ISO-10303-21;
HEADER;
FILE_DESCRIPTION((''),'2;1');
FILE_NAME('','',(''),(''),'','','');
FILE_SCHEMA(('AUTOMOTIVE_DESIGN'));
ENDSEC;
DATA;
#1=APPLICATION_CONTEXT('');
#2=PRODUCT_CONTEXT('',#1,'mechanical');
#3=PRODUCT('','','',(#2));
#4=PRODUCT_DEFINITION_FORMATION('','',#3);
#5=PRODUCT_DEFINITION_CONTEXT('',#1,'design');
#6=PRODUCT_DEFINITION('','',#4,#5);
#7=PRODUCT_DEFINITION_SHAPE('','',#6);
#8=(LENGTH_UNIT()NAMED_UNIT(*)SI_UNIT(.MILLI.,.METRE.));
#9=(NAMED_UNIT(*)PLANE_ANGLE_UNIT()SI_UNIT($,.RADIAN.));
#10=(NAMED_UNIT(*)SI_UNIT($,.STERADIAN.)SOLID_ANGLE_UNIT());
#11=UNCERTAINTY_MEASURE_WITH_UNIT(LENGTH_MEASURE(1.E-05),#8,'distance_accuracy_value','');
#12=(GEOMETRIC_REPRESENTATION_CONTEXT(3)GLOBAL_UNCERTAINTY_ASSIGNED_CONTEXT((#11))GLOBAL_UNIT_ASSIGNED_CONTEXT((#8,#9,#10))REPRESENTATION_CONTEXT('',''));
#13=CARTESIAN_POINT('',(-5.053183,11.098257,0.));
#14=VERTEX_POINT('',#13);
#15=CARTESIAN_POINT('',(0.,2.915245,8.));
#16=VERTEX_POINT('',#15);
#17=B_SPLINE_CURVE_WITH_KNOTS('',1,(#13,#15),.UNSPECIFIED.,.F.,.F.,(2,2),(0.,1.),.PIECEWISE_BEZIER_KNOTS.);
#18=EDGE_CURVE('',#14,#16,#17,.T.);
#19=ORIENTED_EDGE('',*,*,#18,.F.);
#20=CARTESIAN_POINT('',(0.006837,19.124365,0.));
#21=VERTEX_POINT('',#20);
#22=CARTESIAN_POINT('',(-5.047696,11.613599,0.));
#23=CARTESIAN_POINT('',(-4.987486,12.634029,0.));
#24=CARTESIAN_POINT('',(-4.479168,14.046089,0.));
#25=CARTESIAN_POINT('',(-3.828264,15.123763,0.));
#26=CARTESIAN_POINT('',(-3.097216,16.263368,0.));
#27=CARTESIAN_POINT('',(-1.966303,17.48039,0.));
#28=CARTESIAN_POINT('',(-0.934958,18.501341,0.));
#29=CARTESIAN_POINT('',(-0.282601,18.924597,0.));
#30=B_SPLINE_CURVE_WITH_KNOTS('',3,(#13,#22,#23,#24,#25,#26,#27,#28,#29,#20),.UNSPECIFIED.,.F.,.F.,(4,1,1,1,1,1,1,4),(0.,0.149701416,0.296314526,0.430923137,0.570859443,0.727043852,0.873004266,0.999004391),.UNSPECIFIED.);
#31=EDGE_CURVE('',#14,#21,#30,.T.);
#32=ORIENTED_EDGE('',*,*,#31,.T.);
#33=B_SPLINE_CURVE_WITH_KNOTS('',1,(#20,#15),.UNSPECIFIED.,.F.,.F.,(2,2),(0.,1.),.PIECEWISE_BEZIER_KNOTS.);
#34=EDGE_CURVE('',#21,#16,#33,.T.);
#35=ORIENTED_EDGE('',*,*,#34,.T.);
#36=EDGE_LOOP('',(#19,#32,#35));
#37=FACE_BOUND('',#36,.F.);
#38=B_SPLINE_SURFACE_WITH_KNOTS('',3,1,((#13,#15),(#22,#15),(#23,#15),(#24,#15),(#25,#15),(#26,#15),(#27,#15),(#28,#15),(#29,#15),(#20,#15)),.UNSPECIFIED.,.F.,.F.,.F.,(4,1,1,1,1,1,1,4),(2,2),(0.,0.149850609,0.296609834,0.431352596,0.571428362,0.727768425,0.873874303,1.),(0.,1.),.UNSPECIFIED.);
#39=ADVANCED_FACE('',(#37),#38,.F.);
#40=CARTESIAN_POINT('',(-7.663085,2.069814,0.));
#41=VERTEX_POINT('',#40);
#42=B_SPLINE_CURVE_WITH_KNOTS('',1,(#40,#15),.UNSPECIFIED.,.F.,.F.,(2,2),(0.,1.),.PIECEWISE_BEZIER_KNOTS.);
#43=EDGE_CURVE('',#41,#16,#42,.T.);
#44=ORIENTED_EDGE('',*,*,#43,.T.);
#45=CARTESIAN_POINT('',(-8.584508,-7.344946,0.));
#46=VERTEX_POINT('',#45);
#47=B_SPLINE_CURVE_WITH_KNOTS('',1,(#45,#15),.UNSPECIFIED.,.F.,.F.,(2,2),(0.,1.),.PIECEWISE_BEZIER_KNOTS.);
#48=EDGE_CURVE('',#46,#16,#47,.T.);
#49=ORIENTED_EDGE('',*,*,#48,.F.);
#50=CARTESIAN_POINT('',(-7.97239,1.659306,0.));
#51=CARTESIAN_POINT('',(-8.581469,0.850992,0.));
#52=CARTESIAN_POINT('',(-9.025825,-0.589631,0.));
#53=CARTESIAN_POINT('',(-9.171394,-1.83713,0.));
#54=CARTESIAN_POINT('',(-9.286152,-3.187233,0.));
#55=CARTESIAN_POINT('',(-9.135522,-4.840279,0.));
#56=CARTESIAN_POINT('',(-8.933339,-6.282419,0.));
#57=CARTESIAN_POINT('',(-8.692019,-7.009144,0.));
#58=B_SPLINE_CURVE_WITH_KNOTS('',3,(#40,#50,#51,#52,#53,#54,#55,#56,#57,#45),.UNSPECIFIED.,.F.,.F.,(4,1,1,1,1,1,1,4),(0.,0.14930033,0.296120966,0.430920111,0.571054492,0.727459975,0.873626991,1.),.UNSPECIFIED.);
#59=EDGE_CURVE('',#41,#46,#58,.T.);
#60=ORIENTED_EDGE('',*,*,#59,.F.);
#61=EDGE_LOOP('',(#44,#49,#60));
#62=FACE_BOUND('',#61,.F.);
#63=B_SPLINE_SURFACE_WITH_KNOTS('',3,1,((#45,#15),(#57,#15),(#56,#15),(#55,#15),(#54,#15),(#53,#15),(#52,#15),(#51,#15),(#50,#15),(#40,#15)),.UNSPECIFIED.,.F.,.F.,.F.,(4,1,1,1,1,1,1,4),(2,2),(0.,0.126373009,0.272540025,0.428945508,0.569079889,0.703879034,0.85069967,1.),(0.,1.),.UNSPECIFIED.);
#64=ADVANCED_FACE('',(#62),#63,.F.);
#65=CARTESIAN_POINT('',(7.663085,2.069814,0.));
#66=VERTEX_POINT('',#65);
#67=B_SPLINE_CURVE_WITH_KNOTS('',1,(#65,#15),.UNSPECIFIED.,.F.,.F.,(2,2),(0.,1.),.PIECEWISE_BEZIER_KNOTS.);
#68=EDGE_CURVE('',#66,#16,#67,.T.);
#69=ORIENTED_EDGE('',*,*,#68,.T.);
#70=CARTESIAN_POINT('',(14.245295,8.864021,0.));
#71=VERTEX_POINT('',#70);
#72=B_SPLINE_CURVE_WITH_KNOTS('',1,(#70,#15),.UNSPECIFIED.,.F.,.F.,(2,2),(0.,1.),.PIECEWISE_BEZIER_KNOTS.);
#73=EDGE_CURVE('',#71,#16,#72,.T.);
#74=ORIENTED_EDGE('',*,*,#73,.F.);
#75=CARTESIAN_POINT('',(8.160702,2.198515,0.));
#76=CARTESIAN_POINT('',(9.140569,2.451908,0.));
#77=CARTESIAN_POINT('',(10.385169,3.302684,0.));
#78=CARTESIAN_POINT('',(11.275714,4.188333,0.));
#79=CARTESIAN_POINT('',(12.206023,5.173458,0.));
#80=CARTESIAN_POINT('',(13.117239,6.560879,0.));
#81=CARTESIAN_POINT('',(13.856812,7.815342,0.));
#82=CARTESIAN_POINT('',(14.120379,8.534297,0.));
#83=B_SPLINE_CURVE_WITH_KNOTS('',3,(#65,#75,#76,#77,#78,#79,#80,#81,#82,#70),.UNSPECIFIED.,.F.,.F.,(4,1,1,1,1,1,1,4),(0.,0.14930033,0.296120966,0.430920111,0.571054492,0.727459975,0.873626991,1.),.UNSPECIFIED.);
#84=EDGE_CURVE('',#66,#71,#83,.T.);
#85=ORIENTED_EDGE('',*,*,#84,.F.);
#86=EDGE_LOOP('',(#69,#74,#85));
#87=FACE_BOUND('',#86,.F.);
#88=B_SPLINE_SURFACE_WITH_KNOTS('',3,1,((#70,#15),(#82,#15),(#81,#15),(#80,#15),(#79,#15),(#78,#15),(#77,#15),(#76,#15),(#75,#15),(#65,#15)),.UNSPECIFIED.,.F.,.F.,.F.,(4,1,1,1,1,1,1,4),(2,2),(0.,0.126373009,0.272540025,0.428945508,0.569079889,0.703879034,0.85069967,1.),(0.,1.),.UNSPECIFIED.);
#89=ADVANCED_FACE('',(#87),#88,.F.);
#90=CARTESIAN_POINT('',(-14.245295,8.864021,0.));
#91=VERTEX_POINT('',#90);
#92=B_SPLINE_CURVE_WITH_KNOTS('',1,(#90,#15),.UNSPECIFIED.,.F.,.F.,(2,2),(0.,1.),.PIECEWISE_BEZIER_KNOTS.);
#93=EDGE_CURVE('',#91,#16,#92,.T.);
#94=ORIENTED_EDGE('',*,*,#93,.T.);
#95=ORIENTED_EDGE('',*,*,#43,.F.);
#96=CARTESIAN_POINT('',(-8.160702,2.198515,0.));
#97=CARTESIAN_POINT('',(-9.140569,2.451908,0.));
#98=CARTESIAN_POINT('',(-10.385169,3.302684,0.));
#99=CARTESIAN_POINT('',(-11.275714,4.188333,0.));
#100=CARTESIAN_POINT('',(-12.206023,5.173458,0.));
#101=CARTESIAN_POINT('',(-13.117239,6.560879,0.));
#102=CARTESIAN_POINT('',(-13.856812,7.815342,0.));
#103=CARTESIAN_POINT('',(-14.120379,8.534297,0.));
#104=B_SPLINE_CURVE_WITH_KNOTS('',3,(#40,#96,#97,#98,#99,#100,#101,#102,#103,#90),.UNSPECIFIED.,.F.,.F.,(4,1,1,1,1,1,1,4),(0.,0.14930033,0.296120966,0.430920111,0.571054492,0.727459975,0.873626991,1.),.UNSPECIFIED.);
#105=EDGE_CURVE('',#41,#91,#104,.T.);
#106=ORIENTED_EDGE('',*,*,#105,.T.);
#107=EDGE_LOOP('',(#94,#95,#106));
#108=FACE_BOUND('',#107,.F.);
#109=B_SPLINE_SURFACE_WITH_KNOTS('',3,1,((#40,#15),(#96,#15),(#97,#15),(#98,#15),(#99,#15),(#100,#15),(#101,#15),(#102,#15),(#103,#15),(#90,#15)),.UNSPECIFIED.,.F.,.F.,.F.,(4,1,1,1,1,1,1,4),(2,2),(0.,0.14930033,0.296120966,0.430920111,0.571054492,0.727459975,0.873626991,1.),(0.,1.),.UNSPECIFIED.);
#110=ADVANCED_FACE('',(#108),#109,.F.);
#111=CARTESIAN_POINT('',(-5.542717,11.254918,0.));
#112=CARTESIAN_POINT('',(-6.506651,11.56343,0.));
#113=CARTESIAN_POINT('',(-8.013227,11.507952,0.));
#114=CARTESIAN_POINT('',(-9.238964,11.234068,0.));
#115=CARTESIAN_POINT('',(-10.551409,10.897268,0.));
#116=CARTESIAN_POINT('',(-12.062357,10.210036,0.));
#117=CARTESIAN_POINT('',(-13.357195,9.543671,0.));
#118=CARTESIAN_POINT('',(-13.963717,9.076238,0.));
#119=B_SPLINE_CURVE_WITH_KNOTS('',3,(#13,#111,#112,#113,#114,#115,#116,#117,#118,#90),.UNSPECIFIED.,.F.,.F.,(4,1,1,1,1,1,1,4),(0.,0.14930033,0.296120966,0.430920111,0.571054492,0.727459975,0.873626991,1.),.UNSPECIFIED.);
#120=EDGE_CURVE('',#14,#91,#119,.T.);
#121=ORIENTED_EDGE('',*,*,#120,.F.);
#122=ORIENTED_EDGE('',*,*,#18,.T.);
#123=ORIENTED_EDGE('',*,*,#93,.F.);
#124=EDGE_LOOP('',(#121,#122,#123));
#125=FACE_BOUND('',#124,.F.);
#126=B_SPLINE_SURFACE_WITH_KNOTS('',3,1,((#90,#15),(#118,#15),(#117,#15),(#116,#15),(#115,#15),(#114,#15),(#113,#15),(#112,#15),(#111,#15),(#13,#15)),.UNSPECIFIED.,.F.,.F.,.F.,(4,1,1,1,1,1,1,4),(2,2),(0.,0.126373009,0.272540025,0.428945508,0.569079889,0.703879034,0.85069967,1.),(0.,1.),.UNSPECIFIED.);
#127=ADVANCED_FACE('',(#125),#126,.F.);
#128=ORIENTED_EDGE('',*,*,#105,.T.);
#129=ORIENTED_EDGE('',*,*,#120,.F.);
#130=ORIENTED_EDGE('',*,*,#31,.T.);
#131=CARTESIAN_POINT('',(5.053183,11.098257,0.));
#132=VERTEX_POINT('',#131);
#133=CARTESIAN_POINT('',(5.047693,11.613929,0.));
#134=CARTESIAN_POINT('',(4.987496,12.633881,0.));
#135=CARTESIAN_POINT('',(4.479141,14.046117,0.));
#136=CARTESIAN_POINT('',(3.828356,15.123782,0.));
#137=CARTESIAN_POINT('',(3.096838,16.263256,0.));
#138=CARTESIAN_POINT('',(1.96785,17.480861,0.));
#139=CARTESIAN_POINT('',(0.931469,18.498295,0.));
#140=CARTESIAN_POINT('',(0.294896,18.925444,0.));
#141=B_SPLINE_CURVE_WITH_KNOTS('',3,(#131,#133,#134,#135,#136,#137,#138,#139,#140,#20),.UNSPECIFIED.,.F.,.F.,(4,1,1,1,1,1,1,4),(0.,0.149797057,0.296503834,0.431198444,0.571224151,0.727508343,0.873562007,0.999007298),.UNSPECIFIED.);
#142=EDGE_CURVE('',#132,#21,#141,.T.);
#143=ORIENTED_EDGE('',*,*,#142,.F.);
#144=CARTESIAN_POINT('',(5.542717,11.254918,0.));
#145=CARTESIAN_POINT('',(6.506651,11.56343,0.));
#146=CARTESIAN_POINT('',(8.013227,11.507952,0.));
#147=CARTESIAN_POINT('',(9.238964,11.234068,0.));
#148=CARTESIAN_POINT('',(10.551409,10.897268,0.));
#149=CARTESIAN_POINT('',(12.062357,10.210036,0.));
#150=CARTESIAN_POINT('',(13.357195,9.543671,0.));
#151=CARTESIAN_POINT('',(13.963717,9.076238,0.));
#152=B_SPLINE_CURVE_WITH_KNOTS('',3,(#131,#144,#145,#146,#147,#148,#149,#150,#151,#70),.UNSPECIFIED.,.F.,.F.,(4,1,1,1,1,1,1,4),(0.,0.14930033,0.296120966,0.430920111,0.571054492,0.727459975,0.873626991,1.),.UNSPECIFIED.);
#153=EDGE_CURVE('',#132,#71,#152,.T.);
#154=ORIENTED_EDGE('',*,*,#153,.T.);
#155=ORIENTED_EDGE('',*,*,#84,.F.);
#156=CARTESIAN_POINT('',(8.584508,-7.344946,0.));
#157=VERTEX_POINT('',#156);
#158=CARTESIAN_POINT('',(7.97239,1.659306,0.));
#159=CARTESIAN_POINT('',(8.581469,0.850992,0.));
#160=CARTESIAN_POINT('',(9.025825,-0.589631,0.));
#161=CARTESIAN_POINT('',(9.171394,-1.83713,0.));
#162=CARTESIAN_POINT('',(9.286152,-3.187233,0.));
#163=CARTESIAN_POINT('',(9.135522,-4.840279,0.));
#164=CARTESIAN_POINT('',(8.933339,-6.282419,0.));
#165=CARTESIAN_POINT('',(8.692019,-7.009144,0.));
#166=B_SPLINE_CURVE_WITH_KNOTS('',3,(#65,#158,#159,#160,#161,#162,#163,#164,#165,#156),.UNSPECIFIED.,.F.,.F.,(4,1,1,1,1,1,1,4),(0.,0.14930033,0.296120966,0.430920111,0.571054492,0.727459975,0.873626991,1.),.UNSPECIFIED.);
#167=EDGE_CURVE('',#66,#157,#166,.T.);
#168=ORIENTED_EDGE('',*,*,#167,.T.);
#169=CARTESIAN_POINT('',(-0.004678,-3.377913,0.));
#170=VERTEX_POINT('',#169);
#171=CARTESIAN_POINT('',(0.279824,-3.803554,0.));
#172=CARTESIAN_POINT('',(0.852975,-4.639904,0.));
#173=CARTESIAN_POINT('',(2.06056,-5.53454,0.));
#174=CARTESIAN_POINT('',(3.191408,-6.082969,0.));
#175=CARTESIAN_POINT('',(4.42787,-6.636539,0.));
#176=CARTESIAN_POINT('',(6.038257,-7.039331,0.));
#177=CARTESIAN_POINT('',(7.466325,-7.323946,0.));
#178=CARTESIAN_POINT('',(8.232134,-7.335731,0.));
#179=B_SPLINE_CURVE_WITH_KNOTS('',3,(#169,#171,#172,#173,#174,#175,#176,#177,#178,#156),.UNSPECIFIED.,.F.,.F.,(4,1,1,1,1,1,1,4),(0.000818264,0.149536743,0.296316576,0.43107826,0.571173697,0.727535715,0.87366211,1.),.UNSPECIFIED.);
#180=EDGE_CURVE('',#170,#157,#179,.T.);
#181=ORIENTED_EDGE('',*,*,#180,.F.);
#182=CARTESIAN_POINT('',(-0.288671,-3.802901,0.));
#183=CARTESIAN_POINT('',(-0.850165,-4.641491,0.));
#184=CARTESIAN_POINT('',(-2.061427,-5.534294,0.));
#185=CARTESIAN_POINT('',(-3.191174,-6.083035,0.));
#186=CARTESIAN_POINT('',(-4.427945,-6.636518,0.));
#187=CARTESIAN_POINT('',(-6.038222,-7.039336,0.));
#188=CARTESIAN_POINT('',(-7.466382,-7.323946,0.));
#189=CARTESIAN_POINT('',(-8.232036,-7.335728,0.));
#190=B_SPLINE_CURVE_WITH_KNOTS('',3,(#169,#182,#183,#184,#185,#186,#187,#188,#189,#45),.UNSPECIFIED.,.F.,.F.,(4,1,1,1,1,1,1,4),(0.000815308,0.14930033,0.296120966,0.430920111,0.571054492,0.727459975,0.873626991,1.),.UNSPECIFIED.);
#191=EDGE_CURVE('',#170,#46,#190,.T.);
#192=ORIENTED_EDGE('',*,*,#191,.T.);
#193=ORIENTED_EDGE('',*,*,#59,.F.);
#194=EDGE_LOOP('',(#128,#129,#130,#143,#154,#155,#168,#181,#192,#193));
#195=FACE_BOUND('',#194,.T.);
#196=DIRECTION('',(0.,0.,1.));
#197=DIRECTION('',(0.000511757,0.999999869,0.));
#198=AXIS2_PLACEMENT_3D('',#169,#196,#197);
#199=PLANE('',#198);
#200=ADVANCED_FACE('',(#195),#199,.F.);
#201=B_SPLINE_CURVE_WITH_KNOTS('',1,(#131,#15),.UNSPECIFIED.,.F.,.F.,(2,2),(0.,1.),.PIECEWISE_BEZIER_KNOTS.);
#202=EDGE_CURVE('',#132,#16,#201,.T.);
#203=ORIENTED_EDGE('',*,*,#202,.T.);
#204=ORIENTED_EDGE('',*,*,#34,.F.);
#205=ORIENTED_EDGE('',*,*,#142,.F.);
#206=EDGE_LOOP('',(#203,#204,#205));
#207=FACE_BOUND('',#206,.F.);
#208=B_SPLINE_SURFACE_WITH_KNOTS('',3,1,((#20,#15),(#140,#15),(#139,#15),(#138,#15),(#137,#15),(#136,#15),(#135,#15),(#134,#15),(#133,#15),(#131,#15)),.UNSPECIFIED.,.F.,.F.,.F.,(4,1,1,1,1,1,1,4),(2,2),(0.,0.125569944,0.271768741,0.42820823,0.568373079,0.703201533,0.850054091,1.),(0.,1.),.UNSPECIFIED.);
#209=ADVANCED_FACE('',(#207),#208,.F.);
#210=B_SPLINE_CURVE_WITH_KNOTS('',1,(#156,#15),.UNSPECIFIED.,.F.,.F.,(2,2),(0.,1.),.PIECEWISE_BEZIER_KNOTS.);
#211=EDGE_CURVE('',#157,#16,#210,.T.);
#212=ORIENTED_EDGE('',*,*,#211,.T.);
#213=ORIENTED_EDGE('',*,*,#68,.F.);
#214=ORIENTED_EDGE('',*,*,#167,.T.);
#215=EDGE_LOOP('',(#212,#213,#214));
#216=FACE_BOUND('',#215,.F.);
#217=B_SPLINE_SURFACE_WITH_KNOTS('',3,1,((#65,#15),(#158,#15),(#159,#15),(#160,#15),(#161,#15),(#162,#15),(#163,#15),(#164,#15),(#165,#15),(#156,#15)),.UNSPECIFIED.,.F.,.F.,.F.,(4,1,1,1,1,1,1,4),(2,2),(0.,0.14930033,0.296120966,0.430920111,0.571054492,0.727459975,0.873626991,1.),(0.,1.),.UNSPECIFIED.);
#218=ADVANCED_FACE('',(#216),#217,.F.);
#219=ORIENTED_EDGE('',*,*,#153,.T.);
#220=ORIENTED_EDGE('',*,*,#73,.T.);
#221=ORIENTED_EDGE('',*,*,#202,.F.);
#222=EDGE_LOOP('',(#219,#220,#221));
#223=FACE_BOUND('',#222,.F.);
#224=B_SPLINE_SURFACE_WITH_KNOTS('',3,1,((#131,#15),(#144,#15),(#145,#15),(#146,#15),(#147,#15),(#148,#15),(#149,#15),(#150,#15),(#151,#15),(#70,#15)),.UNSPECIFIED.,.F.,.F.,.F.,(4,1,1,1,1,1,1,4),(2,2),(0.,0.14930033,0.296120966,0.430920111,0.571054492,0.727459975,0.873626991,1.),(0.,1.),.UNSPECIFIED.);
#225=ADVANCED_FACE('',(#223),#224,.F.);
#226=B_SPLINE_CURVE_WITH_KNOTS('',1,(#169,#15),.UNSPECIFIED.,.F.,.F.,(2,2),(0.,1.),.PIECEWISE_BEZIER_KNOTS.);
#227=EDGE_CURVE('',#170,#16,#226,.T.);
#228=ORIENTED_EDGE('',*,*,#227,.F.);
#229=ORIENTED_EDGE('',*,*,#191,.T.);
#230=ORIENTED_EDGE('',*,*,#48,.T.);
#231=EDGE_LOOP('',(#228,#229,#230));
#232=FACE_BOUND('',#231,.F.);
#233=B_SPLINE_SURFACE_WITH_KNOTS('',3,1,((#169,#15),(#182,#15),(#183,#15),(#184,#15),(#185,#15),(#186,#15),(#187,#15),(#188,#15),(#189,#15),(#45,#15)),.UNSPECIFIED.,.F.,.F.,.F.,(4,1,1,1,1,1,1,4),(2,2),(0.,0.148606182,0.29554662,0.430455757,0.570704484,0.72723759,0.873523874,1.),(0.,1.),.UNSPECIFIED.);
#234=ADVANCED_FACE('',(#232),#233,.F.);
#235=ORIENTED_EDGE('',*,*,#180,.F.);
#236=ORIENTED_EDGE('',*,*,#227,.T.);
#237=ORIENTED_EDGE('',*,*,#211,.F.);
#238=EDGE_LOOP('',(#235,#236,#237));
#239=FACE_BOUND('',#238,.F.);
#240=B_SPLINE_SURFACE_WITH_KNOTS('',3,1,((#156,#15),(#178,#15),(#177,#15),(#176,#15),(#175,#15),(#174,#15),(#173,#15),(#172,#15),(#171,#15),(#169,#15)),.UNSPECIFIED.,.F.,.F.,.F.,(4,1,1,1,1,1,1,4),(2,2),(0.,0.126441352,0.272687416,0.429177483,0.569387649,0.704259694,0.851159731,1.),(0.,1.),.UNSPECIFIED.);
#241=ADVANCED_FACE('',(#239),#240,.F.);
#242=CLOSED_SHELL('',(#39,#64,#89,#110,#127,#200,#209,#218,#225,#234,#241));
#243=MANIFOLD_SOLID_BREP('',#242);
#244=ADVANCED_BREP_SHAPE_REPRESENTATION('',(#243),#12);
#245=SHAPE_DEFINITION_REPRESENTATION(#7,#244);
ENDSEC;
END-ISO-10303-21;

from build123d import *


with BuildPart() as f3:
    # F0 (on Top) → F3 section 0
    with BuildSketch(Plane.XY, mode=Mode.PRIVATE) as f3_s0:
        with BuildLine():
            add(Edge.make_bspline(
                [(-0.0046782463, -3.3779127154), (-0.2886714116, -3.8029014086), (-0.8501646318, -4.6414908394), (-2.0614273809, -5.5342942003), (-3.191174351, -6.0830354403), (-4.4279454803, -6.6365184373), (-6.0382217073, -7.0393362104), (-7.4663821983, -7.3239460026), (-8.2320357436, -7.3357281281), (-8.5845080582, -7.3449459069)],
                knots=[0.0008153077, 0.0008153077, 0.0008153077, 0.0008153077, 0.1493003301, 0.2961209658, 0.430920111, 0.5710544916, 0.7274599749, 0.8736269908, 1, 1, 1, 1], degree=3))
            add(Edge.make_bspline(
                [(-0.0046782463, -3.3779127154), (0.2798235099, -3.8035541954), (0.8529745003, -4.6399037672), (2.0605602851, -5.5345401007), (3.1914082814, -6.0829693758), (4.427869641, -6.6365387242), (6.0382568128, -7.0393312795), (7.4663249343, -7.3239458928), (8.232133697, -7.3357306898), (8.5845080582, -7.3449459069)],
                knots=[0.0008182641, 0.0008182641, 0.0008182641, 0.0008182641, 0.1495367427, 0.2963165764, 0.4310782604, 0.5711736972, 0.7275357148, 0.8736621104, 1, 1, 1, 1], degree=3))
            add(Edge.make_bspline(
                [(7.6630854562, 2.0698141102), (7.9723899503, 1.6593058644), (8.5814688233, 0.8509923751), (9.0258247873, -0.5896309127), (9.1713935312, -1.8371303739), (9.2861520096, -3.1872328685), (9.1355219384, -4.8402792282), (8.9333390624, -6.2824190295), (8.6920191627, -7.0091437889), (8.5845080582, -7.3449459069)],
                knots=[0, 0, 0, 0, 0.1493003301, 0.2961209658, 0.430920111, 0.5710544916, 0.7274599749, 0.8736269908, 1, 1, 1, 1], degree=3))
            add(Edge.make_bspline(
                [(7.6630854562, 2.0698141102), (8.160702191, 2.1985148296), (9.1405693504, 2.4519080431), (10.3851689009, 3.3026839471), (11.2757141149, 4.18833308), (12.2060228136, 5.1734584423), (13.117239272, 6.5608791613), (13.8568123727, 7.8153418951), (14.1203788685, 8.5342972986), (14.2452946594, 8.8640210393)],
                knots=[0, 0, 0, 0, 0.1493003301, 0.2961209658, 0.430920111, 0.5710544916, 0.7274599749, 0.8736269908, 1, 1, 1, 1], degree=3))
            add(Edge.make_bspline(
                [(5.0531831504, 11.0982573286), (5.5427173943, 11.2549178341), (6.5066510316, 11.5634299302), (8.0132265607, 11.5079515111), (9.2389643074, 11.2340680663), (10.5514093429, 10.8972680023), (12.0623572586, 10.2100358132), (13.357194546, 9.5436714076), (13.9637171958, 9.0762375137), (14.2452946594, 8.8640210393)],
                knots=[0, 0, 0, 0, 0.1493003301, 0.2961209658, 0.430920111, 0.5710544916, 0.7274599749, 0.8736269908, 1, 1, 1, 1], degree=3))
            add(Edge.make_bspline(
                [(5.0531831504, 11.0982573286), (5.0476928659, 11.6139287191), (4.9874958494, 12.6338813862), (4.479140637, 14.0461168333), (3.828355926, 15.123781678), (3.0968383304, 16.263256138), (1.9678497609, 17.4808614684), (0.9314693675, 18.4982947676), (0.2948958331, 18.9254438253), (0.006837445, 19.1243654424)],
                knots=[0, 0, 0, 0, 0.1497970569, 0.2965038342, 0.4311984436, 0.571224151, 0.7275083428, 0.8735620072, 0.999007298, 0.999007298, 0.999007298, 0.999007298], degree=3))
            add(Edge.make_bspline(
                [(-5.0531831504, 11.0982573286), (-5.0476963712, 11.6135994796), (-4.9874861349, 12.6340289048), (-4.4791678329, 14.0460888589), (-3.8282636822, 15.1237632625), (-3.0972160894, 16.2633684742), (-1.9663030656, 17.4803899928), (-0.9349579983, 18.5013408383), (-0.2826014748, 18.924597477), (0.006837445, 19.1243654424)],
                knots=[0, 0, 0, 0, 0.1497014163, 0.2963145262, 0.4309231374, 0.5708594429, 0.7270438524, 0.8730042663, 0.9990043912, 0.9990043912, 0.9990043912, 0.9990043912], degree=3))
            add(Edge.make_bspline(
                [(-5.0531831504, 11.0982573286), (-5.5427173943, 11.2549178341), (-6.5066510316, 11.5634299302), (-8.0132265607, 11.5079515111), (-9.2389643074, 11.2340680663), (-10.5514093429, 10.8972680023), (-12.0623572586, 10.2100358132), (-13.357194546, 9.5436714076), (-13.9637171958, 9.0762375137), (-14.2452946594, 8.8640210393)],
                knots=[0, 0, 0, 0, 0.1493003301, 0.2961209658, 0.430920111, 0.5710544916, 0.7274599749, 0.8736269908, 1, 1, 1, 1], degree=3))
            add(Edge.make_bspline(
                [(-7.6630854562, 2.0698141102), (-8.160702191, 2.1985148296), (-9.1405693504, 2.4519080431), (-10.3851689009, 3.3026839471), (-11.2757141149, 4.18833308), (-12.2060228136, 5.1734584423), (-13.117239272, 6.5608791613), (-13.8568123727, 7.8153418951), (-14.1203788685, 8.5342972986), (-14.2452946594, 8.8640210393)],
                knots=[0, 0, 0, 0, 0.1493003301, 0.2961209658, 0.430920111, 0.5710544916, 0.7274599749, 0.8736269908, 1, 1, 1, 1], degree=3))
            add(Edge.make_bspline(
                [(-7.6630854562, 2.0698141102), (-7.9723899503, 1.6593058644), (-8.5814688233, 0.8509923751), (-9.0258247873, -0.5896309127), (-9.1713935312, -1.8371303739), (-9.2861520096, -3.1872328685), (-9.1355219384, -4.8402792282), (-8.9333390624, -6.2824190295), (-8.6920191627, -7.0091437889), (-8.5845080582, -7.3449459069)],
                knots=[0, 0, 0, 0, 0.1493003301, 0.2961209658, 0.430920111, 0.5710544916, 0.7274599749, 0.8736269908, 1, 1, 1, 1], degree=3))
        make_face()
    loft([f3_s0.sketch, Vertex(0, 2.9152445495, 8)])


solid = f3.part
